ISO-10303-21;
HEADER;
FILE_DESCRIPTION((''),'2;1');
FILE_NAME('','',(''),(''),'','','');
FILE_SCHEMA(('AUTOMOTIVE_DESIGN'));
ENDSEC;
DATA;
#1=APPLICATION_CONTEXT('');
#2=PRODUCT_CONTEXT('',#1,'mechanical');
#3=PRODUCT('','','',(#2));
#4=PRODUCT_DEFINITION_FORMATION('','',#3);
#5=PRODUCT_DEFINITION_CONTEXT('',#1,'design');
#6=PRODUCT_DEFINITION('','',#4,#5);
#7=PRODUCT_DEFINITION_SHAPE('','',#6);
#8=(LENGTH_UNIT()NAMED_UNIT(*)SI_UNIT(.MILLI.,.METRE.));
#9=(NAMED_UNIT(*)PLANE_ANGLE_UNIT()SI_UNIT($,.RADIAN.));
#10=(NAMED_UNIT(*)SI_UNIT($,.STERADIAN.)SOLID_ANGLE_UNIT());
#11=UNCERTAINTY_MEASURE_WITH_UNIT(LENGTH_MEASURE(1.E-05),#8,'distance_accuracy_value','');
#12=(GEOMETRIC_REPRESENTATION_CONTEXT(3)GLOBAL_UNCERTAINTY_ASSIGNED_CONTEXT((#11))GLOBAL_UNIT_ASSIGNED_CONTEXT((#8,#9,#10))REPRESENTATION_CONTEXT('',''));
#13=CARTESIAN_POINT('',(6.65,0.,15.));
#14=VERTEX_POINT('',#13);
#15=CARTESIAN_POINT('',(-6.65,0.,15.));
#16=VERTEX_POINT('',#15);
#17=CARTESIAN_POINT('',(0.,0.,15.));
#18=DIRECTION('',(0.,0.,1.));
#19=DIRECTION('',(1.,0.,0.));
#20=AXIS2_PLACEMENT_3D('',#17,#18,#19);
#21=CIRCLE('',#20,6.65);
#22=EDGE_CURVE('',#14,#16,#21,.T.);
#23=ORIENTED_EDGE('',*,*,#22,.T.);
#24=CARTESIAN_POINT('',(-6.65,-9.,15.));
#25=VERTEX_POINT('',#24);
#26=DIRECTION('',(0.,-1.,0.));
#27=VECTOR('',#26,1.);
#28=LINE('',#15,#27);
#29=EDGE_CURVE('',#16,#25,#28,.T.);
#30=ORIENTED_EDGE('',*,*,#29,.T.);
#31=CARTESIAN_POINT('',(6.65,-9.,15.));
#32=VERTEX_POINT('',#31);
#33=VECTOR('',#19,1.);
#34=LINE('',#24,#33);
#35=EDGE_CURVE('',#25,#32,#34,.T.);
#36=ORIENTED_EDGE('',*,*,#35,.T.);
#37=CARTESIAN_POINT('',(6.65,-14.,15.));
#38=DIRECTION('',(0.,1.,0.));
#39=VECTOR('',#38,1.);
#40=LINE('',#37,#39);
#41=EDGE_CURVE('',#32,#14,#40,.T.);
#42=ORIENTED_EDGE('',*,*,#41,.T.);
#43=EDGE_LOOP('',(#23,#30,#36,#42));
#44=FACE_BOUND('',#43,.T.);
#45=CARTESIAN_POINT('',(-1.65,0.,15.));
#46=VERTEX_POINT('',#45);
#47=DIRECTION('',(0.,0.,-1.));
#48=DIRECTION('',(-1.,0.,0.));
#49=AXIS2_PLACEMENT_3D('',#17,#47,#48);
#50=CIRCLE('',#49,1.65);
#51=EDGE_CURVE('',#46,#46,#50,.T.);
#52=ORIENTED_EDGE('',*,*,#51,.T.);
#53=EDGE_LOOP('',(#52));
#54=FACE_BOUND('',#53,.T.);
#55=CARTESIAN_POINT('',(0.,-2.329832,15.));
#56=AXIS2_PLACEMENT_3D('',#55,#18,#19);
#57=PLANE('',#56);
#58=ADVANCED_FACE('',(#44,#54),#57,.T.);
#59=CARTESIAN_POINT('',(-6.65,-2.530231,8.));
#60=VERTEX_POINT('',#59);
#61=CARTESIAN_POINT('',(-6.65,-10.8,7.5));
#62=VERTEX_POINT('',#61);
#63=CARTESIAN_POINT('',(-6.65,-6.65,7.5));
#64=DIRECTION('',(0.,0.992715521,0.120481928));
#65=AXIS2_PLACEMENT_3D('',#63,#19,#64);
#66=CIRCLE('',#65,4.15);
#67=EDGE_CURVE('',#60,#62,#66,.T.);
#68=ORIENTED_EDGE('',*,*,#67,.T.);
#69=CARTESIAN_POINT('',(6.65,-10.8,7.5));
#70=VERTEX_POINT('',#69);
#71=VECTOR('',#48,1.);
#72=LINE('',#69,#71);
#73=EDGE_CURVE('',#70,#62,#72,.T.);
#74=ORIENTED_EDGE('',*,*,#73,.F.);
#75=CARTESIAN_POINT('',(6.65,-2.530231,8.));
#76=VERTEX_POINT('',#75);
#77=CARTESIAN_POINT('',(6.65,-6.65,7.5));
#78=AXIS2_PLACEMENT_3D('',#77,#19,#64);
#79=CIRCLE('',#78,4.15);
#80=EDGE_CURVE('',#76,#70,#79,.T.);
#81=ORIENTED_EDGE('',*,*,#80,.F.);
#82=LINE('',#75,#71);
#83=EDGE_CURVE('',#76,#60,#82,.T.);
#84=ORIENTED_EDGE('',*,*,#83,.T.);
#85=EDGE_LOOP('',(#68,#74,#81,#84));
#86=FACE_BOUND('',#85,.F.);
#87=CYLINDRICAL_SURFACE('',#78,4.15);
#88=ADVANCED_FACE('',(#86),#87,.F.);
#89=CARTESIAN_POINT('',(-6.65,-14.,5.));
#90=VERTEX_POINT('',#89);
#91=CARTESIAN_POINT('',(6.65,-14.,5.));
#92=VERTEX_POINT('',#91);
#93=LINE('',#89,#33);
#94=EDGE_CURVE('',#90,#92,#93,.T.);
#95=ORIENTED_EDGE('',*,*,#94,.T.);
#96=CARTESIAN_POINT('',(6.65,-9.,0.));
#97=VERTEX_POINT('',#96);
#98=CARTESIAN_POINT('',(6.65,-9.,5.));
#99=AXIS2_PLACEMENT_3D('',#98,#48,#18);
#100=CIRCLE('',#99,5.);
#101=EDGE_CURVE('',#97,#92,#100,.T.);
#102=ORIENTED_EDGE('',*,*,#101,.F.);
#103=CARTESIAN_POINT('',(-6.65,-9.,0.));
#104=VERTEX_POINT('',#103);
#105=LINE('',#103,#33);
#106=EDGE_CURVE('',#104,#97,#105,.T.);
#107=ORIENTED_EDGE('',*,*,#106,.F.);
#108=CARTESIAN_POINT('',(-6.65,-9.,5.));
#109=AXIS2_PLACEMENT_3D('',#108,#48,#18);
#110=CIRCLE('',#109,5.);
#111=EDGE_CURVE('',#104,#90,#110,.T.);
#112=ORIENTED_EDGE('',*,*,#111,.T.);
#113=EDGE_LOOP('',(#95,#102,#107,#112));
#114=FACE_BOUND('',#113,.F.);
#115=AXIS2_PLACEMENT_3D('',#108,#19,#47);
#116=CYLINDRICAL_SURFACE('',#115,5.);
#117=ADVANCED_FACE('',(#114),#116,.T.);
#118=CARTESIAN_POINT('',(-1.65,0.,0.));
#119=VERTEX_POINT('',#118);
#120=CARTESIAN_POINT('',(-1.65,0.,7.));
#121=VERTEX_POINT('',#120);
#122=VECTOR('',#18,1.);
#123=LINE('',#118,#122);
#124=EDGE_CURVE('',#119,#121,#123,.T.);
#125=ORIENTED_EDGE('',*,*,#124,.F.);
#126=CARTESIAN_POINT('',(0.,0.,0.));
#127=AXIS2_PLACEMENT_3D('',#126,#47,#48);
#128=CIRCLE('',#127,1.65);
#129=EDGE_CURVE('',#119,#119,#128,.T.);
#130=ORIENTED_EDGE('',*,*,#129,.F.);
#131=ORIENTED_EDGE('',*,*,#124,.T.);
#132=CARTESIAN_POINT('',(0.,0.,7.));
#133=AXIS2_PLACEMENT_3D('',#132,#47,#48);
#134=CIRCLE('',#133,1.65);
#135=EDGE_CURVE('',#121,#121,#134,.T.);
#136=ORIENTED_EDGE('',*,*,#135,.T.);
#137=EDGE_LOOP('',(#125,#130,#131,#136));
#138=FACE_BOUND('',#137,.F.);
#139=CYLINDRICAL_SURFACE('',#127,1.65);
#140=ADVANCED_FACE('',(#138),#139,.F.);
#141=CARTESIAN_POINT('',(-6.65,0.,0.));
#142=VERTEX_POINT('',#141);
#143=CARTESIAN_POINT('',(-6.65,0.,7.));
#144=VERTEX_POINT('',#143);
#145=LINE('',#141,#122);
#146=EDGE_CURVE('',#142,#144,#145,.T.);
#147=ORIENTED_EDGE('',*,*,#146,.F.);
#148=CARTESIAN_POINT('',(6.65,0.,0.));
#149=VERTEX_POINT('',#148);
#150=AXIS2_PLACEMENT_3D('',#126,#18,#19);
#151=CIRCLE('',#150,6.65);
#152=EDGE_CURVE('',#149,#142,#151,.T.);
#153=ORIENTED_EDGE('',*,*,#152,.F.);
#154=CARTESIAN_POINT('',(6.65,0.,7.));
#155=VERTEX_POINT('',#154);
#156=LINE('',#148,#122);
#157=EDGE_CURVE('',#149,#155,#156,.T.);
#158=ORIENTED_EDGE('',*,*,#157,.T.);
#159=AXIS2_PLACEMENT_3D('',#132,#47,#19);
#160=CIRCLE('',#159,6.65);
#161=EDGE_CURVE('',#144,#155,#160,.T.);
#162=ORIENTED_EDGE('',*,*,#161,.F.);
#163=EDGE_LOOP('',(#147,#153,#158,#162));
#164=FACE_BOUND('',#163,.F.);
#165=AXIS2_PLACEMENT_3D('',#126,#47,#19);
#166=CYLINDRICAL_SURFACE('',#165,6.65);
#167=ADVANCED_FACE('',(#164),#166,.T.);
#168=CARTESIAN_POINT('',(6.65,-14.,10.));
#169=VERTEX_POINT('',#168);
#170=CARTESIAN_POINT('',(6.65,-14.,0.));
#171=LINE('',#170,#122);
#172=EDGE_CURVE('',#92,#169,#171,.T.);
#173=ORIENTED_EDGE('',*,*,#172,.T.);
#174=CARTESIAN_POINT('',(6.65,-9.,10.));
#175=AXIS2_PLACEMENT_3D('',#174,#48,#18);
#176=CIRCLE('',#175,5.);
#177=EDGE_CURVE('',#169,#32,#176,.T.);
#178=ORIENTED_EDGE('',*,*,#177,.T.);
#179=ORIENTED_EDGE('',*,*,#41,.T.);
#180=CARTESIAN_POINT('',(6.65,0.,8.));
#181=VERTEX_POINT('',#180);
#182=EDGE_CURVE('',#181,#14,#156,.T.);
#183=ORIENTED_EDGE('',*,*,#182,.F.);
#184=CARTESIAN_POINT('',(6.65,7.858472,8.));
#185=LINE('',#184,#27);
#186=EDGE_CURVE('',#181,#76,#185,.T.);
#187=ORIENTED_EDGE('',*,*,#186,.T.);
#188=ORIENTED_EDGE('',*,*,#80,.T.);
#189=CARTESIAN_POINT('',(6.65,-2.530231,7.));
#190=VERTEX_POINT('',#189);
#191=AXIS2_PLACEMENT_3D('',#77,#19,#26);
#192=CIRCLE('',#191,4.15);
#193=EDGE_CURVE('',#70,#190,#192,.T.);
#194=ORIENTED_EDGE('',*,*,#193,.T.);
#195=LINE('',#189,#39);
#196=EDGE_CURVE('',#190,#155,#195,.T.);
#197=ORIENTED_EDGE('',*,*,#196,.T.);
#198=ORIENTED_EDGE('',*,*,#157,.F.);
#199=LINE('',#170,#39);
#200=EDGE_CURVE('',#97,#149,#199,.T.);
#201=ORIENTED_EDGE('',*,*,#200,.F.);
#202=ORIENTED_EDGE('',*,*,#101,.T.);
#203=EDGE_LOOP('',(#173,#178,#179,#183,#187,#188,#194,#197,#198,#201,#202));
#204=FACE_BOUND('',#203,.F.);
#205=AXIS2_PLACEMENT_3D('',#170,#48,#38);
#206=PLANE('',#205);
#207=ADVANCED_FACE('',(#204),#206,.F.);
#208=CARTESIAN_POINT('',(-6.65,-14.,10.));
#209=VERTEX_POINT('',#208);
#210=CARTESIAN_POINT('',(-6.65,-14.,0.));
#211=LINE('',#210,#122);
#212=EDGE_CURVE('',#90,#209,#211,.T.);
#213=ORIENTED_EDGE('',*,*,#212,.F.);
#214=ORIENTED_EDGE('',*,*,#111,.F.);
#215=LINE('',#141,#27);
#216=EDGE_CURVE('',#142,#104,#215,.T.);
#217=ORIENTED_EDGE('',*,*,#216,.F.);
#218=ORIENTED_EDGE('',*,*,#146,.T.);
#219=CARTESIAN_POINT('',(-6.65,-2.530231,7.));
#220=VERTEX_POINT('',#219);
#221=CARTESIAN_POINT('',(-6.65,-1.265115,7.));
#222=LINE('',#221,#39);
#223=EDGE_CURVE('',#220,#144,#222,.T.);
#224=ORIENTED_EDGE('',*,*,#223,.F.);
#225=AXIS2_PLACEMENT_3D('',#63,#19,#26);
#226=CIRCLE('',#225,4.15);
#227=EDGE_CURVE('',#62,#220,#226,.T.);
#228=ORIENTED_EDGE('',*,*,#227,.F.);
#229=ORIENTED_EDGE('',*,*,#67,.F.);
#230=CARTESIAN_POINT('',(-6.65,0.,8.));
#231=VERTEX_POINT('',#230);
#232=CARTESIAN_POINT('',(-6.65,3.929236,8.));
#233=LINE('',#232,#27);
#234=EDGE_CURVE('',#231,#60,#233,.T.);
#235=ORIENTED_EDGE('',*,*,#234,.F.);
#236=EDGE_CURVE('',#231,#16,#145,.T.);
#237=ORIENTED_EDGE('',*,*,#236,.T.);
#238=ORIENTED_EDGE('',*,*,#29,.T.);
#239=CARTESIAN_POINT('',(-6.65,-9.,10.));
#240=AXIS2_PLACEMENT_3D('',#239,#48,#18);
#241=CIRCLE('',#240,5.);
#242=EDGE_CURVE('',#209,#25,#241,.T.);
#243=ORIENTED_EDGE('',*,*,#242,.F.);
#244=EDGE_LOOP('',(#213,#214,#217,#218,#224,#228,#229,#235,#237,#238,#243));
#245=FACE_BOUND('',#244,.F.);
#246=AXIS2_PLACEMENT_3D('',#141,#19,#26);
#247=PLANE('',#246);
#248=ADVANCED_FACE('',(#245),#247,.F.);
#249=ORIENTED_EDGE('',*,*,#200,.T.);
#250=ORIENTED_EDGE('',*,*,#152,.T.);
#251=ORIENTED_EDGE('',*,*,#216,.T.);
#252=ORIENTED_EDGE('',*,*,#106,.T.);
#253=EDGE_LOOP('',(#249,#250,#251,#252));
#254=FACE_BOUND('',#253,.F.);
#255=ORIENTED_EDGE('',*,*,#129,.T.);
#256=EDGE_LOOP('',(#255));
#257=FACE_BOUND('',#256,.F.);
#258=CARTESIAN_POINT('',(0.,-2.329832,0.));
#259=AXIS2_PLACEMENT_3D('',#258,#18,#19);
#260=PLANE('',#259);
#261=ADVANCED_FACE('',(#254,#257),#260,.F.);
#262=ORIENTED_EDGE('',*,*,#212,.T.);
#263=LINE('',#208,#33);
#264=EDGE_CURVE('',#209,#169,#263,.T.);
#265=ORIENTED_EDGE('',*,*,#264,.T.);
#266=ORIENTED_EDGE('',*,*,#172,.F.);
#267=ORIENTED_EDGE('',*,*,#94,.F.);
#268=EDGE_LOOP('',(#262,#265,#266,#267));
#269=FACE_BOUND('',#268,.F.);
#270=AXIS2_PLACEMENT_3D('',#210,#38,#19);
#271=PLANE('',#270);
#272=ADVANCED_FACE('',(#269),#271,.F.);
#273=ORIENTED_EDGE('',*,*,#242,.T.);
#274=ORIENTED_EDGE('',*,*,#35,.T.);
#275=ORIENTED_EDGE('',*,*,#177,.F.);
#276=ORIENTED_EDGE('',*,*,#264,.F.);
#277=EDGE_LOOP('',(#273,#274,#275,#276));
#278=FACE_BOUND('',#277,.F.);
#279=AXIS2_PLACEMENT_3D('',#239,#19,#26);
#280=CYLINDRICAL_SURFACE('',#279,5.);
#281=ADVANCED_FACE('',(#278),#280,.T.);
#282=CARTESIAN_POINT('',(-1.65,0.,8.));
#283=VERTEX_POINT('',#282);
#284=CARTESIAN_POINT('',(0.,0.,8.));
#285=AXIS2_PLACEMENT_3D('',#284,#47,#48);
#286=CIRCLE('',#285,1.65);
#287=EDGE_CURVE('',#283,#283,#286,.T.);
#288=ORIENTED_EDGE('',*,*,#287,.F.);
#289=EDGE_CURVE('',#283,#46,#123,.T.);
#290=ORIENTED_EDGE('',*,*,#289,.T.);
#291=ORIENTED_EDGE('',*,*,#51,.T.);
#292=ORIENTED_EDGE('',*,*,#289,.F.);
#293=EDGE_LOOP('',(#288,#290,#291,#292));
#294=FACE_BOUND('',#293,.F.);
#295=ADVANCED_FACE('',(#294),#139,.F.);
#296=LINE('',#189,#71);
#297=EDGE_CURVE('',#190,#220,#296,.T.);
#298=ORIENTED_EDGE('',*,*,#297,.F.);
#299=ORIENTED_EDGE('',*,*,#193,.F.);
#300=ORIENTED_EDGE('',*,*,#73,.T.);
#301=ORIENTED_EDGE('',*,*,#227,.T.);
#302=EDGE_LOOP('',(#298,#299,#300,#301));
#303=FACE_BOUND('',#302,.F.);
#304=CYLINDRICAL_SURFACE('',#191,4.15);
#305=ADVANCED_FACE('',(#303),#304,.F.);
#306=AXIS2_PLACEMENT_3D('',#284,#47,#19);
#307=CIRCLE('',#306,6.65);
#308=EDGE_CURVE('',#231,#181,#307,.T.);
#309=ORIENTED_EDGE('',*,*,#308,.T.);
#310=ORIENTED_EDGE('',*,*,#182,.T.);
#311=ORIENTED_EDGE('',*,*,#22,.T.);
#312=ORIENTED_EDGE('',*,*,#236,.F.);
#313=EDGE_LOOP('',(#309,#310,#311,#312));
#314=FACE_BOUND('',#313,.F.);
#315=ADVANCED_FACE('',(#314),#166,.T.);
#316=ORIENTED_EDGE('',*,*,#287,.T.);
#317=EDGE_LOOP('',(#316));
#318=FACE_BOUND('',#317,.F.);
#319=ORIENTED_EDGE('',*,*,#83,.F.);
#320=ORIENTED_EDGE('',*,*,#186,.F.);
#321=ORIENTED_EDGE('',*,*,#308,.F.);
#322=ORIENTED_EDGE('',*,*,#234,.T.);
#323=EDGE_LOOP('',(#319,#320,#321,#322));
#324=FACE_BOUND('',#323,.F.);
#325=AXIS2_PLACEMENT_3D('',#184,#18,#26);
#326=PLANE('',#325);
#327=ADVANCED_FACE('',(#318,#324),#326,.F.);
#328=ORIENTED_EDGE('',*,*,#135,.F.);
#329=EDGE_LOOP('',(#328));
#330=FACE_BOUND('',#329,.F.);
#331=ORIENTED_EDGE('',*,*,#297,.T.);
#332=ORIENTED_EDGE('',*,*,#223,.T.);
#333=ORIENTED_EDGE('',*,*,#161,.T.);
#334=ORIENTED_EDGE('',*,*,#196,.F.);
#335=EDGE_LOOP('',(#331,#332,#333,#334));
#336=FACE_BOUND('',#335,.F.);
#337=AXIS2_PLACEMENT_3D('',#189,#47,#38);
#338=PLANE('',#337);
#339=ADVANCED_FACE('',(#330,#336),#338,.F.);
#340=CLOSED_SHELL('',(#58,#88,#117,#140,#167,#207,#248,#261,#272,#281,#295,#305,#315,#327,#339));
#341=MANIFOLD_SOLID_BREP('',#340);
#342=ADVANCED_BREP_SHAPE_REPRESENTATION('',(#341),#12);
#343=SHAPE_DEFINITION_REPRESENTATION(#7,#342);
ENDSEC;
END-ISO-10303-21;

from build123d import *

# Parameters (mm, degrees)
F1_DEPTH = 15
F2_W     = 3.3
F2_H     = 1
F2_W_2   = 6.2084717173
F3_DEPTH = 13.301
F4_R     = 5


with BuildPart() as f1:
    # F0 (on Top) → F1 (new body)
    with BuildSketch(Plane.XY):
        with BuildLine():
            Line((6.65, 0), (1.65, 0))
            ThreePointArc((1.65, 0), (0, -1.65), (-1.65, 0))
            Line((-1.65, 0), (-6.65, 0))
            ThreePointArc((-6.65, 0), (0, -6.65), (6.65, 0))
        make_face()
        with BuildLine():
            ThreePointArc((-1.65, 0), (0, 1.65), (1.65, 0))
            Line((1.65, 0), (6.65, 0))
            ThreePointArc((6.65, 0), (0, 6.65), (-6.65, 0))
            Line((-6.65, 0), (-1.65, 0))
        make_face()
        with BuildLine():
            Line((6.65, -14), (6.65, 0))
            ThreePointArc((6.65, 0), (0, -6.65), (-6.65, 0))
            Line((-6.65, 0), (-6.65, -14))
            Line((-6.65, -14), (6.65, -14))
        make_face()
    extrude(amount=F1_DEPTH)

    # F2 (on face) → F3 (cut, through all)
    with BuildSketch(Plane.YZ.offset(6.65)):
        with BuildLine():
            ThreePointArc((-2.530230589, 7), (-2.5075645415, 7.2495434726), (-2.5, 7.5))
            ThreePointArc((-2.5, 7.5), (-2.5075645415, 7.7504565274), (-2.530230589, 8))
            Line((-2.530230589, 8), (-2.530230589, 7.5))
            Line((-2.530230589, 7.5), (-2.530230589, 7))
        make_face()
        with BuildLine():
            ThreePointArc((-2.530230589, 8), (-2.5075645415, 7.7504565274), (-2.5, 7.5))
            ThreePointArc((-2.5, 7.5), (-2.5075645415, 7.2495434726), (-2.530230589, 7))
            Line((-2.530230589, 7), (-1.65, 7))
            Line((-1.65, 7), (-1.65, 8))
            Line((-1.65, 8), (-2.530230589, 8))
        make_face()
        with BuildLine():
            Line((-2.530230589, 7.5), (-2.530230589, 8))
            ThreePointArc((-2.530230589, 8), (-6.9004565274, 11.6424354585), (-10.8, 7.5))
            Line((-10.8, 7.5), (-2.530230589, 7.5))
        make_face()
        with BuildLine():
            ThreePointArc((-10.8, 7.5), (-6.9004565274, 3.3575645415), (-2.530230589, 7))
            Line((-2.530230589, 7), (-2.530230589, 7.5))
            Line((-2.530230589, 7.5), (-10.8, 7.5))
        make_face()
        with Locations((0, 7.5)):
            Rectangle(F2_W, F2_H)
        with Locations((4.7542358587, 7.5)):
            Rectangle(F2_W_2, F2_H)
    extrude(amount=-F3_DEPTH, mode=Mode.SUBTRACT)

    # F4
    f4_edges = [f1.edges().sort_by_distance(p)[0] for p in [
        (0, -14, 15),
        (0, -14, 0),
    ]]
    fillet(f4_edges, radius=F4_R)


solid = f1.part
